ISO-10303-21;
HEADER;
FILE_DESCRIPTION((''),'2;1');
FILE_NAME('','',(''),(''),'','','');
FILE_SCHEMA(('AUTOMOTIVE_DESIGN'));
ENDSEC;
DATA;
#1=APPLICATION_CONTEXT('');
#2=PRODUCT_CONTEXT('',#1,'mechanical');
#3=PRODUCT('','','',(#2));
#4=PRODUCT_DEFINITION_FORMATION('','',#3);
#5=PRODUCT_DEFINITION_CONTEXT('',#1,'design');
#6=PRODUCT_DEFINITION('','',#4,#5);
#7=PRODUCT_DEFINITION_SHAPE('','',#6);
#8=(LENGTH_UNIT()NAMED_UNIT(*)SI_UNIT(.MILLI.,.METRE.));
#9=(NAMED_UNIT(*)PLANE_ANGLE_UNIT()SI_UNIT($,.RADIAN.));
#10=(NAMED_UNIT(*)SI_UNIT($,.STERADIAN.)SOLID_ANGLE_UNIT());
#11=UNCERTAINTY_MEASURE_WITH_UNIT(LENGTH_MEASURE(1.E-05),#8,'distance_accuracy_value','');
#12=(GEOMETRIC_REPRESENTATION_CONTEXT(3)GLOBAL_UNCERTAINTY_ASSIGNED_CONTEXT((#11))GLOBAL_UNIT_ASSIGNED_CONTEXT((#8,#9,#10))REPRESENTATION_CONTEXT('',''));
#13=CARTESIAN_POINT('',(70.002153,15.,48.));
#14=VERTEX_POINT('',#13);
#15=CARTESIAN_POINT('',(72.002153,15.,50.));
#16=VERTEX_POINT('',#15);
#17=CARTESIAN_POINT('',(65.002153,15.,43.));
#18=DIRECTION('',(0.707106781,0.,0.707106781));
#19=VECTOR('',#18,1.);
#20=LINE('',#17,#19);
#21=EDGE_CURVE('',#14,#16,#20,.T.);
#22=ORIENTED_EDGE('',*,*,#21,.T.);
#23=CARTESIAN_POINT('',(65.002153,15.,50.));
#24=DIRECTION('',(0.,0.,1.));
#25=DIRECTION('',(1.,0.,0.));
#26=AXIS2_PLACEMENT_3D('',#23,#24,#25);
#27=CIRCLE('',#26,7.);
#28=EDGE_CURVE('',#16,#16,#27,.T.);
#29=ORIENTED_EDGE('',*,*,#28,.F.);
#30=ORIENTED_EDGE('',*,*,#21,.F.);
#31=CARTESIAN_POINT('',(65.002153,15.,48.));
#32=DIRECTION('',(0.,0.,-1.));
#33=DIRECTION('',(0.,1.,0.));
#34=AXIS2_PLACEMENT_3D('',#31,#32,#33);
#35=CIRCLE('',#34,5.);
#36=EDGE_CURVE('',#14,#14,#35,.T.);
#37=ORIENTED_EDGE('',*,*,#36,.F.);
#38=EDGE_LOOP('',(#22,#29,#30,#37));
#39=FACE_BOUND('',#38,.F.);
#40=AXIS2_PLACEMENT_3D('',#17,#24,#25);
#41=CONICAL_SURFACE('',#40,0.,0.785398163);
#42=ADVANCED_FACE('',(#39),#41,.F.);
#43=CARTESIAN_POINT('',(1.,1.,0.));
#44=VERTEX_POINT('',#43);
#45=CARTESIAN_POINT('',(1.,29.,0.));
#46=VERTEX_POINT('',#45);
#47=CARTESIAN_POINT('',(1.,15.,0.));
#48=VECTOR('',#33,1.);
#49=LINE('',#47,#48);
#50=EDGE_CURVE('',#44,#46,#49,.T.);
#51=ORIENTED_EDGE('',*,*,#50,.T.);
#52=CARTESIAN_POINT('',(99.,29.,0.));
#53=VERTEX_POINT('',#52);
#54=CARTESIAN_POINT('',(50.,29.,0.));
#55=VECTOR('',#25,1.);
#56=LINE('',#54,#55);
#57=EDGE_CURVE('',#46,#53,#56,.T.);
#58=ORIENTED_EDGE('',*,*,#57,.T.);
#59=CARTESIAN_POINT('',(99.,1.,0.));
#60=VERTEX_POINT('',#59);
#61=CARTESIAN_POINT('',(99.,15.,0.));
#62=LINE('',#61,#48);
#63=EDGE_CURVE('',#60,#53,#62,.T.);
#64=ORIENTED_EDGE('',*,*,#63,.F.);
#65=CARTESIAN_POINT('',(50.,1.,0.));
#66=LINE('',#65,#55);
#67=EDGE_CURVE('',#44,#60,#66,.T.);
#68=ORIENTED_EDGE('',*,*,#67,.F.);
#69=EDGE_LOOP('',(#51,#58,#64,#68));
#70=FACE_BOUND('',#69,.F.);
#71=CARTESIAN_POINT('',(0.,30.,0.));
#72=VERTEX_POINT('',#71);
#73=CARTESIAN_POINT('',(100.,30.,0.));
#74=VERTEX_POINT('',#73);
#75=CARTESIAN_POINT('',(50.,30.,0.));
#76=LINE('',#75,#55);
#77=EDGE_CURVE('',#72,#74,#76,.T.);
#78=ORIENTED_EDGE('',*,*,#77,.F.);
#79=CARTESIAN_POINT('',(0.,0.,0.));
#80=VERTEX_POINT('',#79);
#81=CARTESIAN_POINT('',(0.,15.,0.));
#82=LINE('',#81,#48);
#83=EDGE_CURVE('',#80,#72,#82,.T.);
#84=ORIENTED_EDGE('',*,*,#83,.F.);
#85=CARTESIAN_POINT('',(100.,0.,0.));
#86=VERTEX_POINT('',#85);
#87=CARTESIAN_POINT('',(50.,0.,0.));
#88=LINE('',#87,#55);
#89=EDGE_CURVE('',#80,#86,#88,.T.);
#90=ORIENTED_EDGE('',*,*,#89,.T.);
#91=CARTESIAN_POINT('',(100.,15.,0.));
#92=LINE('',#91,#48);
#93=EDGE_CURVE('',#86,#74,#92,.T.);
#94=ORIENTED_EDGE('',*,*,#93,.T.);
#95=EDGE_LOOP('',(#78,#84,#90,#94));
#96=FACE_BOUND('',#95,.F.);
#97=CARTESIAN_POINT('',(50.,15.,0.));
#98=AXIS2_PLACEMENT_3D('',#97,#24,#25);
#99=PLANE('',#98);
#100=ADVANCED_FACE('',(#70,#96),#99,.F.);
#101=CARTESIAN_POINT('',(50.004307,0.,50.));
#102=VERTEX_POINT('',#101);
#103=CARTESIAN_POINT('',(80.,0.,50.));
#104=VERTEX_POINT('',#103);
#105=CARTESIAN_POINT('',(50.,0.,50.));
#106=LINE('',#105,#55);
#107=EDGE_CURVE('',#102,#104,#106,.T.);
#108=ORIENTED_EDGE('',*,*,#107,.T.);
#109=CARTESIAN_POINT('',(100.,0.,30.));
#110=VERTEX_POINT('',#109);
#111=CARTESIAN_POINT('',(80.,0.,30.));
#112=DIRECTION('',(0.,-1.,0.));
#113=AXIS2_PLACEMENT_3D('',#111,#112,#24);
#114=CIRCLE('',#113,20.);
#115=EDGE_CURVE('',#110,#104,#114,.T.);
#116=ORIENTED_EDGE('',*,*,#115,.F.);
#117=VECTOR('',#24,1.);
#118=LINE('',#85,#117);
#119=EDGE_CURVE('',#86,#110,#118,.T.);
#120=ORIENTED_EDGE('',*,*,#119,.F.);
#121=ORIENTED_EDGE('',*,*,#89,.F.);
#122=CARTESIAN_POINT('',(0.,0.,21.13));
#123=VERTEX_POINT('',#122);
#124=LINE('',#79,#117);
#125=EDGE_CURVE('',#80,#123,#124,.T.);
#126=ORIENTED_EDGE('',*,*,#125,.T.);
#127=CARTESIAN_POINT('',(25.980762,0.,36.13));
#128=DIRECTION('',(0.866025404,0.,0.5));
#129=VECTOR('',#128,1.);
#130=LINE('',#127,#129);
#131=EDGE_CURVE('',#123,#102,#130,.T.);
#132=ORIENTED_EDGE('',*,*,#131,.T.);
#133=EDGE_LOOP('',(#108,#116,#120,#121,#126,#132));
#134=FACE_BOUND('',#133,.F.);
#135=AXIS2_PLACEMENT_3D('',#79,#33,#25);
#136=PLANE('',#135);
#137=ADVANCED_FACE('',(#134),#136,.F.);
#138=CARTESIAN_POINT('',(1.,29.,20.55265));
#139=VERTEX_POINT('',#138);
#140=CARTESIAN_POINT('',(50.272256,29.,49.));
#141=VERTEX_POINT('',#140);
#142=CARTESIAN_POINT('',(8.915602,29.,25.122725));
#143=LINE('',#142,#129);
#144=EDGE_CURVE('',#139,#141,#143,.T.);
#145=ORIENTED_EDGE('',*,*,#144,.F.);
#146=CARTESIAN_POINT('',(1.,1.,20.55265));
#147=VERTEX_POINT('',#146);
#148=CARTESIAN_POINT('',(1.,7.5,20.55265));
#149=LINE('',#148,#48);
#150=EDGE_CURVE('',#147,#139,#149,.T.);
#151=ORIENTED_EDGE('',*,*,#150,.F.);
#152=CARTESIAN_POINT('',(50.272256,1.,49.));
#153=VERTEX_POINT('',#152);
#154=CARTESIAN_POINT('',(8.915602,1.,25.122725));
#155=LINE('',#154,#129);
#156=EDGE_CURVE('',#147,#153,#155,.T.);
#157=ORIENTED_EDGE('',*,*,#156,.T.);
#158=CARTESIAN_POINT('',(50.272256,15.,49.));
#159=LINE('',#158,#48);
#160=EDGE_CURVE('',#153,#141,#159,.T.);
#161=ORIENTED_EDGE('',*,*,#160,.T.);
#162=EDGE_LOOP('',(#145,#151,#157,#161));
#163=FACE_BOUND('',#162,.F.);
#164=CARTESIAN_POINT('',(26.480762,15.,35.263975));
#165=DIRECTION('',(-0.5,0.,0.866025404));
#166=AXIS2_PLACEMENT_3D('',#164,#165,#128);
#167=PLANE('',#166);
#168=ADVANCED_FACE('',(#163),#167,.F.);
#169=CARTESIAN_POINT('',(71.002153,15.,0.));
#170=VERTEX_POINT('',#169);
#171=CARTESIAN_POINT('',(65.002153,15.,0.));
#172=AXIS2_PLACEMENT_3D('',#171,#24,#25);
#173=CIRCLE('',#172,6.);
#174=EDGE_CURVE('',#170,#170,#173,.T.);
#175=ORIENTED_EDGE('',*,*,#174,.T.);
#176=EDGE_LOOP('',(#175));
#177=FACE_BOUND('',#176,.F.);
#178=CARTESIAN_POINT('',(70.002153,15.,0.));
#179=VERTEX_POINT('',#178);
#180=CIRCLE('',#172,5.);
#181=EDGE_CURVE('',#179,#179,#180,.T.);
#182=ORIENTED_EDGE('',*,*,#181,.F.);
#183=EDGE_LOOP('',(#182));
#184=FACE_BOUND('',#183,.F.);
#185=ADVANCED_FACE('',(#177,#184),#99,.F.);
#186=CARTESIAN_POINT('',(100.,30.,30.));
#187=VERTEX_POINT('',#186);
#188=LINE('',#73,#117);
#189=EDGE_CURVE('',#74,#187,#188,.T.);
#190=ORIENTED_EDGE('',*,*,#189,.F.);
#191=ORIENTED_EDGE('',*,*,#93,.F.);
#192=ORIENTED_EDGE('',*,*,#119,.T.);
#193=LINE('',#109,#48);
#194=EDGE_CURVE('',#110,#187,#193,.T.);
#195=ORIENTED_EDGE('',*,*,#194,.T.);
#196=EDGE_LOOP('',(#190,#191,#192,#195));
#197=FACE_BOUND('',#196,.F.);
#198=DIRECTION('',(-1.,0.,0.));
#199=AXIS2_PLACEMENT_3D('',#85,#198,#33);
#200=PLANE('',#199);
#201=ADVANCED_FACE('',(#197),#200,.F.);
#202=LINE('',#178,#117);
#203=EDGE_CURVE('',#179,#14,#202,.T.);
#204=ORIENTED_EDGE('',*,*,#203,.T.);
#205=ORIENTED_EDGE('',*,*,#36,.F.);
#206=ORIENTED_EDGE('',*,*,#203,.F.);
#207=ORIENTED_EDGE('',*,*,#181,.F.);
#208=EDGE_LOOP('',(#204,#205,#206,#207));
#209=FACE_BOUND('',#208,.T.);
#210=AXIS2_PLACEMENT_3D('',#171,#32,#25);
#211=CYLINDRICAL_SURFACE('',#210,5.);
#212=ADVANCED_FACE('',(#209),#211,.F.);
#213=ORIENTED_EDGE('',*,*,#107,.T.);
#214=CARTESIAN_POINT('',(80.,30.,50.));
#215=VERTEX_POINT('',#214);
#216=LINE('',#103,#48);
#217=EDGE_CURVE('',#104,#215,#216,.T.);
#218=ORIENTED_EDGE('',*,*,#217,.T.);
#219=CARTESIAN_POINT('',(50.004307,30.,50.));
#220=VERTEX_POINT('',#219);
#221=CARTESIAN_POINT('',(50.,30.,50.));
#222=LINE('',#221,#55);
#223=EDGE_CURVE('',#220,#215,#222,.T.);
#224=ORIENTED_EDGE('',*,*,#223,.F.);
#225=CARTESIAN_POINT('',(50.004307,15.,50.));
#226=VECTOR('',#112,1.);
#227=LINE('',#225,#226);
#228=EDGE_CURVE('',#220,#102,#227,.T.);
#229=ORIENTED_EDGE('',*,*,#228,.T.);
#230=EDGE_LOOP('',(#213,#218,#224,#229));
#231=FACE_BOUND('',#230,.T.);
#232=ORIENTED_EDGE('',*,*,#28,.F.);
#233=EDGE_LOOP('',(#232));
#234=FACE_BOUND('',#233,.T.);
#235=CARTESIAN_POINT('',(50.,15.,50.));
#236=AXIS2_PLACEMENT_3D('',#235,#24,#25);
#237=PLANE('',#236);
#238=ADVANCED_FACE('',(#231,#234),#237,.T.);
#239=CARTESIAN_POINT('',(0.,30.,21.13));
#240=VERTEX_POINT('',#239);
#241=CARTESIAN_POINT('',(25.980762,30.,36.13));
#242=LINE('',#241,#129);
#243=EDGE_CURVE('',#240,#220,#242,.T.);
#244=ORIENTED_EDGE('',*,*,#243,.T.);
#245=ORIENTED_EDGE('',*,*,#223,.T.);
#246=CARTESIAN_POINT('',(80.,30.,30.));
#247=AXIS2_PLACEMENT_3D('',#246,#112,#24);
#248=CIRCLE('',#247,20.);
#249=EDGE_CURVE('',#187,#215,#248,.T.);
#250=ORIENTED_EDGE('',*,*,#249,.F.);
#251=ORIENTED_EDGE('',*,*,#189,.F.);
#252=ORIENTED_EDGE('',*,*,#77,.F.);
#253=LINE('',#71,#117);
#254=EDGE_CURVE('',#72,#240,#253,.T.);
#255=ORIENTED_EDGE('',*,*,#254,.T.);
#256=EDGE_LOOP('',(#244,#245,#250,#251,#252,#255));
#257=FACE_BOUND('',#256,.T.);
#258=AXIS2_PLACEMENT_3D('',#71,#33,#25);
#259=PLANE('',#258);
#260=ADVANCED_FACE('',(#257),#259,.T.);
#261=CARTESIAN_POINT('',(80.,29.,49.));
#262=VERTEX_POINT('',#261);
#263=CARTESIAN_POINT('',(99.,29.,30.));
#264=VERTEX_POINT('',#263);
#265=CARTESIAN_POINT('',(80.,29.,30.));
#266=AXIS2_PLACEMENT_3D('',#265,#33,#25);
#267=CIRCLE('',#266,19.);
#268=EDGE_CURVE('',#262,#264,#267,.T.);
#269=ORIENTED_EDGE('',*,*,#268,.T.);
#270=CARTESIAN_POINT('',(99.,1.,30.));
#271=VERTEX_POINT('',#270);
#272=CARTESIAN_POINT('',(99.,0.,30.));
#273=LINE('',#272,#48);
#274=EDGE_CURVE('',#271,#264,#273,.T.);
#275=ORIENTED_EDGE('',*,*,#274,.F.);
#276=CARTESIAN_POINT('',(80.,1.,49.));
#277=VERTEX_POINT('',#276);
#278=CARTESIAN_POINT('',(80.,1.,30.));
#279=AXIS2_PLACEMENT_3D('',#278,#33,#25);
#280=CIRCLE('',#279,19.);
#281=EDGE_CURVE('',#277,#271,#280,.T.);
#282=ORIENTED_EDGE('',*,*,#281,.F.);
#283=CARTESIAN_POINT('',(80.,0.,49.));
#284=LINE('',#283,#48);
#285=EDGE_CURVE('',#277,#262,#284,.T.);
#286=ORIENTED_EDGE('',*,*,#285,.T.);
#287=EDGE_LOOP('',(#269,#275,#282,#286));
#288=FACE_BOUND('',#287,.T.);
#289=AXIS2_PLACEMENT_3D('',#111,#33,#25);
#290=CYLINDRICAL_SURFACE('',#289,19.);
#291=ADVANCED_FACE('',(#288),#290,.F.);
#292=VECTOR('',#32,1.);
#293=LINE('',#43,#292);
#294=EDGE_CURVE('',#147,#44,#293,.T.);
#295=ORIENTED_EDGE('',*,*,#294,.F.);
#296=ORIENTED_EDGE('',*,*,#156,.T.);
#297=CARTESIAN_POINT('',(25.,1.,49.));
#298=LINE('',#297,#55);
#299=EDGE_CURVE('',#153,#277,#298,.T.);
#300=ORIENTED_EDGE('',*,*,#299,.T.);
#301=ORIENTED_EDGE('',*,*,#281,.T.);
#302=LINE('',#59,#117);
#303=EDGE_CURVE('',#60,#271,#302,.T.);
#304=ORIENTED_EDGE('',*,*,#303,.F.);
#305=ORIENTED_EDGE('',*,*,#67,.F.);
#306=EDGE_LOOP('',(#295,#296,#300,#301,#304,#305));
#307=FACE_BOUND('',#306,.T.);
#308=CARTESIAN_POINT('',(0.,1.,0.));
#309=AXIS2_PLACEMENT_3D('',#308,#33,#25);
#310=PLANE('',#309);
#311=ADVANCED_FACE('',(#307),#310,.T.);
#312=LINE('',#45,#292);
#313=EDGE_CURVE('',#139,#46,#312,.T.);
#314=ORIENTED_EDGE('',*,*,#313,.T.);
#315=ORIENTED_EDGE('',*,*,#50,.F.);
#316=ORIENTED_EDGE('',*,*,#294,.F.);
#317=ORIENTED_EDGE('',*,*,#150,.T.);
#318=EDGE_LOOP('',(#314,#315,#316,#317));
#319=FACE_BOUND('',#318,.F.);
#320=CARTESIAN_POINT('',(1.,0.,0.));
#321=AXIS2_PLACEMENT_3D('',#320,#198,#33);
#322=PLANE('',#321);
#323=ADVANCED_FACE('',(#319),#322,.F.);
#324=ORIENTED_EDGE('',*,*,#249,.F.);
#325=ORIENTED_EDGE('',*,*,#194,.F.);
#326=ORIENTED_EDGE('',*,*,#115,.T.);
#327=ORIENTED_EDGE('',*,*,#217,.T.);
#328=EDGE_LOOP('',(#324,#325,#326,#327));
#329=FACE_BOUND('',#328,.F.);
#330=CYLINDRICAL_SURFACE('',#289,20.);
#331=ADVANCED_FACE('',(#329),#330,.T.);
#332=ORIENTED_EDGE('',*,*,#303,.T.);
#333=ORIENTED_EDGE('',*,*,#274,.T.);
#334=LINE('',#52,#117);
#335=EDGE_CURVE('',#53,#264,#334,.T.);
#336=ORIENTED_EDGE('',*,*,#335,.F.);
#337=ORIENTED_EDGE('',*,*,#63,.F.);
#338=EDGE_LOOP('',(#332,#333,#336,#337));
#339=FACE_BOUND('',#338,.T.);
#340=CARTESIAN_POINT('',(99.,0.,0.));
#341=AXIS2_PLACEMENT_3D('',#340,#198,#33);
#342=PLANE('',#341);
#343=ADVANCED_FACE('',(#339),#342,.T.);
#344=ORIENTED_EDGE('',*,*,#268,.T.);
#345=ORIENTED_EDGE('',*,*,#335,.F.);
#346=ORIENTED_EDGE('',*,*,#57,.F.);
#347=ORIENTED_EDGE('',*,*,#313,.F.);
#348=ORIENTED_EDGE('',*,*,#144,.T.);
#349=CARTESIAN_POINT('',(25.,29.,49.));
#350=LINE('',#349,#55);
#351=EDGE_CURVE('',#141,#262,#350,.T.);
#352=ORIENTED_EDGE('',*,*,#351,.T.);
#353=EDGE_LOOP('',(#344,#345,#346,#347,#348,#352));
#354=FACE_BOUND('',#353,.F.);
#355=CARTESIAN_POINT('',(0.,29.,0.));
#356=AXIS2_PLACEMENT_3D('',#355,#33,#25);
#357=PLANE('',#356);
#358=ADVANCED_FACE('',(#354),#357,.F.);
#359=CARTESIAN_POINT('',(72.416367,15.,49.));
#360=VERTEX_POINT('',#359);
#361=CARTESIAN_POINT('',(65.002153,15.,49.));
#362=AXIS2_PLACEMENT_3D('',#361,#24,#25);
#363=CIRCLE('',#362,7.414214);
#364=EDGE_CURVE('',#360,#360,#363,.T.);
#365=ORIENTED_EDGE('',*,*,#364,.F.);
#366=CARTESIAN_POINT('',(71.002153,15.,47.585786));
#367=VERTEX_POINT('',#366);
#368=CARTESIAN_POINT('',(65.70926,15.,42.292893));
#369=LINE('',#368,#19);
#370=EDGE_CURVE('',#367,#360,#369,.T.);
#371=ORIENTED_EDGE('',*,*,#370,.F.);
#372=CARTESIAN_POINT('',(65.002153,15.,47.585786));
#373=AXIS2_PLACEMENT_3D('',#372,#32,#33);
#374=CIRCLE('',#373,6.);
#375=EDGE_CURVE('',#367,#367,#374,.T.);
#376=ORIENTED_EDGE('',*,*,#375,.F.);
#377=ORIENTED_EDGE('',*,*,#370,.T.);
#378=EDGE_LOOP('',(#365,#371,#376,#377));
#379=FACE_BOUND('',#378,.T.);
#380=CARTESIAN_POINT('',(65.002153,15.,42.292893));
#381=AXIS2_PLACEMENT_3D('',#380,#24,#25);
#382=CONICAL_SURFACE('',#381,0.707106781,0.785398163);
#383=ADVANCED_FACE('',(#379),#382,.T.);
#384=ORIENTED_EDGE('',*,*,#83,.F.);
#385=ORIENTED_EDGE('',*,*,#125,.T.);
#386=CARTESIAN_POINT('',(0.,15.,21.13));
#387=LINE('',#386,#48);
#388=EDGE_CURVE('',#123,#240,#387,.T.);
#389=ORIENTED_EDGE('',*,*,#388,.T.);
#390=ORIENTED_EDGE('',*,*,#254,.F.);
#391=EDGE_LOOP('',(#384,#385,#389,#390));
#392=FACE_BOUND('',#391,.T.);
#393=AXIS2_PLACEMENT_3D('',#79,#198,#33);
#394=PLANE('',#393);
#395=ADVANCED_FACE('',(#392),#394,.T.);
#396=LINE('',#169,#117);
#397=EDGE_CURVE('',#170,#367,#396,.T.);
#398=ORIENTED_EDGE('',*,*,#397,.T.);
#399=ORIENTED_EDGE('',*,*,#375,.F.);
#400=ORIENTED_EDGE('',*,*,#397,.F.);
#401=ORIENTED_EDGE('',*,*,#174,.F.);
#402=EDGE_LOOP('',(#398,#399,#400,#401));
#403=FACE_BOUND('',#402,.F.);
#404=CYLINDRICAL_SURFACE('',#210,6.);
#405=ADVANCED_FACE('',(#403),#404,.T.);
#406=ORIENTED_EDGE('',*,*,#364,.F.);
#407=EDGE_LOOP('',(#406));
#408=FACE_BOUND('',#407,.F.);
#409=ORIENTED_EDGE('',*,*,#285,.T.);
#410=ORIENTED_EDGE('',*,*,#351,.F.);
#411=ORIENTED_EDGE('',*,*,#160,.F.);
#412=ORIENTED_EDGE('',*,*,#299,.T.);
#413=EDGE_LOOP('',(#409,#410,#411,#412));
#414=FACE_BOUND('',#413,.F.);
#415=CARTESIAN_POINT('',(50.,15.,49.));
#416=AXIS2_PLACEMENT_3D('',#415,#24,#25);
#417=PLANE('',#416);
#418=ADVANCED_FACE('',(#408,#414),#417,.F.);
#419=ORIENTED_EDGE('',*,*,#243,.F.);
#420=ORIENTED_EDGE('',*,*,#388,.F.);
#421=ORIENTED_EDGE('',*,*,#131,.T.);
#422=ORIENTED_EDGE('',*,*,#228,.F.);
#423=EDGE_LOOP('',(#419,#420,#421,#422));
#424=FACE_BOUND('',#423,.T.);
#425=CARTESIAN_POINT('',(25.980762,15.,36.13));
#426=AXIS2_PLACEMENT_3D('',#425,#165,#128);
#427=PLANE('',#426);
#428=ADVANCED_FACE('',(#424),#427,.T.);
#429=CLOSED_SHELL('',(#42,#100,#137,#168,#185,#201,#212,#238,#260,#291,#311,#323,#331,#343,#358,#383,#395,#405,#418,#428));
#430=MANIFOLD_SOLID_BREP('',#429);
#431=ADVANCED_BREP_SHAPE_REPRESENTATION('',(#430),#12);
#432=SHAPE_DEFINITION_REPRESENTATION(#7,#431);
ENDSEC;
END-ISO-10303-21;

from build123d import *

# Parameters (mm, degrees)
CYLINDER_R             = 5
CYLINDER_DEPTH         = 50
BOX001_W               = 60
BOX001_H               = 30
BOX001_DEPTH           = 30
BOX001_PLACEMENT_ANGLE = 330
BOX_W                  = 100
BOX_H                  = 30
BOX_DEPTH              = 50
FILLET_R               = 20
THICKNESS_T            = -1


with BuildPart() as cone:
    # Cone → Cone (revolve)
    with BuildSketch(Plane(origin=(65.002153, 15, 43), x_dir=(1, 0, 0), z_dir=(0, -1, 0))):
        Polygon((0, 0), (7, 7), (0, 7), align=None)
    revolve(axis=Axis((65.002153, 15, 43), (0, 0, 1)))


with BuildPart() as cylinder:
    # Cylinder → Cylinder (new body)
    with BuildSketch(Plane(origin=(65.002153, 15, 0), x_dir=(1, 0, 0), z_dir=(0, 0, 1))):
        Circle(CYLINDER_R)
    extrude(amount=CYLINDER_DEPTH)


with BuildPart() as cube001:
    # Box001 → Box001 (new body)
    with BuildSketch(Plane.XY):
        with Locations((30, 15)):
            Rectangle(BOX001_W, BOX001_H)
    extrude(amount=BOX001_DEPTH)


with BuildPart() as cube001_1:
    # Box001 placement: moved
    add(cube001.part.moved(Location((0, 0, 21.13))).rotate(Axis((0, 0, 21.13), (0, 1, 0)), BOX001_PLACEMENT_ANGLE))


with BuildPart() as thickness:
    # Box → Box (new body)
    with BuildSketch(Plane.XY):
        with Locations((50, 15)):
            Rectangle(BOX_W, BOX_H)
    extrude(amount=BOX_DEPTH)

    # Fillet
    fillet_edges = [thickness.edges().sort_by_distance(p)[0] for p in [
        (100, 15, 50),
    ]]
    fillet(fillet_edges, radius=FILLET_R)

    # Cut: cut Cube001
    add(cube001_1.part, mode=Mode.SUBTRACT)

    # Cut001: cut Cylinder
    add(cylinder.part, mode=Mode.SUBTRACT)

    # Cut002: cut Cone
    add(cone.part, mode=Mode.SUBTRACT)

    # Thickness
    thickness_openings = [thickness.faces().sort_by_distance(p)[0] for p in [
        (49.596686, 15, 0),
    ]]
    offset(amount=THICKNESS_T, openings=thickness_openings)


solid = thickness.part
